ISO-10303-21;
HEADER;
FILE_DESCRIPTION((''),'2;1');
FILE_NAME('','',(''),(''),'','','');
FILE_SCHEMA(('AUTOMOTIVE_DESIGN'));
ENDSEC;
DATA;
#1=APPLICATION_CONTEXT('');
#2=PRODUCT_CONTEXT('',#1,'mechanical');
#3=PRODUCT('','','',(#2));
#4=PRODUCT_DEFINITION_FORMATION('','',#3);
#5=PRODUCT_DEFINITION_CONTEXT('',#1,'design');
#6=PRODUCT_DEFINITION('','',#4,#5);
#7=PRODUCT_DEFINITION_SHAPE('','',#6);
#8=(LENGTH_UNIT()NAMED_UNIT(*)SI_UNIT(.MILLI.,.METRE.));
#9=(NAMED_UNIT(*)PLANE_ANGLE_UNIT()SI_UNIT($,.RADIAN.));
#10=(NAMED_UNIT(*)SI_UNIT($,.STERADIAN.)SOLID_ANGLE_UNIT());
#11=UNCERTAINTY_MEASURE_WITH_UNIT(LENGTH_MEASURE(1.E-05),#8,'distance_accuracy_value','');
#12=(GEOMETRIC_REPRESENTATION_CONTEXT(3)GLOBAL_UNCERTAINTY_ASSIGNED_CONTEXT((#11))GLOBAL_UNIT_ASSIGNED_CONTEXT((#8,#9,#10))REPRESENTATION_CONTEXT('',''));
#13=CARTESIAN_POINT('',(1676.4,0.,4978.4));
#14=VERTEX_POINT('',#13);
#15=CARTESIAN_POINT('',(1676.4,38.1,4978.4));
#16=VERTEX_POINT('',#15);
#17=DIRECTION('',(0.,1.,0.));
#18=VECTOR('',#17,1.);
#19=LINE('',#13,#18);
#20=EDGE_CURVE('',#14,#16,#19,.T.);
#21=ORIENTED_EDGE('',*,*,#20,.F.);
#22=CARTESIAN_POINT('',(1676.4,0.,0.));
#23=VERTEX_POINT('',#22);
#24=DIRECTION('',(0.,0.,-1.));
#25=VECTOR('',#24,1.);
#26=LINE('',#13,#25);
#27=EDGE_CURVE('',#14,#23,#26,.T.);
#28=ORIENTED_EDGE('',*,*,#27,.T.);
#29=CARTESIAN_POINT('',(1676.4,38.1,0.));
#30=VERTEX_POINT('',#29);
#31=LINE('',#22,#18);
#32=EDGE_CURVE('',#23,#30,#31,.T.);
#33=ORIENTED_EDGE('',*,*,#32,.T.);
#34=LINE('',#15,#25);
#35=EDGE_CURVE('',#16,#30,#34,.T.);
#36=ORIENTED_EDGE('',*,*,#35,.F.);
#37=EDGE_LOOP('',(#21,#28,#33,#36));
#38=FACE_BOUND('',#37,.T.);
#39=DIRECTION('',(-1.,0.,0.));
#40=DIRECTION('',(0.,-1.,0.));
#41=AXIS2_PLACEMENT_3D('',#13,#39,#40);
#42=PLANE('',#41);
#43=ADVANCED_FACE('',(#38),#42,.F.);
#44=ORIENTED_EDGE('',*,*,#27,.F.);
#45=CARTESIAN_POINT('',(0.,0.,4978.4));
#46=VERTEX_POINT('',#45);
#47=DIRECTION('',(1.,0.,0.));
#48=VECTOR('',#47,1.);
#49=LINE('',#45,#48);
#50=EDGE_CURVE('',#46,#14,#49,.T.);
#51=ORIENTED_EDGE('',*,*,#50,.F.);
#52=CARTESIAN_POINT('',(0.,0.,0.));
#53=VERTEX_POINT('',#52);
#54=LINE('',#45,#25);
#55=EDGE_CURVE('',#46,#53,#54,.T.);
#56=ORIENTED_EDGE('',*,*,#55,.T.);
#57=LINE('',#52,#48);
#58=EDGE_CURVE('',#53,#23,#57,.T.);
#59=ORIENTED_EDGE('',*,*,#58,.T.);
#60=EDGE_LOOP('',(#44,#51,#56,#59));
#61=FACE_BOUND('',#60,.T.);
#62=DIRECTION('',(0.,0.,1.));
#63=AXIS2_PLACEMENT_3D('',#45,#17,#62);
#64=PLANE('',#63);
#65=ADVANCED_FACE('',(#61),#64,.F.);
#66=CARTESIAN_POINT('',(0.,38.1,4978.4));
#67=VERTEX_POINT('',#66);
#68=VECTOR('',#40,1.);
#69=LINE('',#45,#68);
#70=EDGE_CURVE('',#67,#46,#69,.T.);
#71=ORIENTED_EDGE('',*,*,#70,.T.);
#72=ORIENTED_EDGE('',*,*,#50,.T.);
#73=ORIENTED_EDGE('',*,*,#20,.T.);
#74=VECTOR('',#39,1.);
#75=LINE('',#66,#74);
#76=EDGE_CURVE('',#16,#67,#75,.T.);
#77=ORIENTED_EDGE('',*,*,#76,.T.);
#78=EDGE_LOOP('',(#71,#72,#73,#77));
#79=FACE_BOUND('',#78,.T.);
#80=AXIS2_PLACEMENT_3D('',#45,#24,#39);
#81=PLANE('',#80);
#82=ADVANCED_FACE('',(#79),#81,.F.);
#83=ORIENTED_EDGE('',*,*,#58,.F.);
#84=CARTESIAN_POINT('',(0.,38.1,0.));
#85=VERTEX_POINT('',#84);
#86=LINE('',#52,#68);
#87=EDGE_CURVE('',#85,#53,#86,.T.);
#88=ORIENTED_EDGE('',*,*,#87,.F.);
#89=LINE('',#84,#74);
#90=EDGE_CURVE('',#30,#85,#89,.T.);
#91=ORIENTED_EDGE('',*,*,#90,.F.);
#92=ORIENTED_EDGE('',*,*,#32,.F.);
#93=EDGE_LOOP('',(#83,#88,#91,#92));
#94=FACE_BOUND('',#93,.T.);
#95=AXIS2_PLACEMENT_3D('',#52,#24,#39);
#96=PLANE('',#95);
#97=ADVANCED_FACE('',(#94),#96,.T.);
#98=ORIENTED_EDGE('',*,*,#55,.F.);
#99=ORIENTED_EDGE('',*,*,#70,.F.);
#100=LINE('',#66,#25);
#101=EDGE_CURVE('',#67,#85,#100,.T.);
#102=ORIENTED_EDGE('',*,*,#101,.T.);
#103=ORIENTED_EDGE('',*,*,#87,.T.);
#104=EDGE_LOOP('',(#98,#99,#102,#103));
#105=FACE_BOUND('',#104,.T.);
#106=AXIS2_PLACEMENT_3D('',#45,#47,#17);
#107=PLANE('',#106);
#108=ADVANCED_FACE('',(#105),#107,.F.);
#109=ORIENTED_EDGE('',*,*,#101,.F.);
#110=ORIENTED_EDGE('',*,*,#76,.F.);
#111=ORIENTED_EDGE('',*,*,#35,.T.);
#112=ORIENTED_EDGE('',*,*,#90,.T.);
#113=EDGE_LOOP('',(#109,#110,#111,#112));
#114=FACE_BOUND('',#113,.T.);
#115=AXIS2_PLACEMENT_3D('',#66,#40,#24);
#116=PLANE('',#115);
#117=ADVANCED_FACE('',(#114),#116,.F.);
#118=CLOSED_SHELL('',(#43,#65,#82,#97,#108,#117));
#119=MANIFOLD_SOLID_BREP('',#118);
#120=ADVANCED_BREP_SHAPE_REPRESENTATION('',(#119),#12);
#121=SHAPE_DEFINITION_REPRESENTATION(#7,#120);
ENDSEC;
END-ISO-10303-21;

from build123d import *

# Parameters (mm, degrees)
SKETCH1_W           = 1676.4
SKETCH1_H           = 38.1
BOSS_EXTRUDE1_DEPTH = 4978.4


with BuildPart() as part:
    # Sketch1 → Boss-Extrude1 (new body)
    with BuildSketch(Plane.XY):
        with Locations((838.2, 19.05)):
            Rectangle(SKETCH1_W, SKETCH1_H)
    extrude(amount=BOSS_EXTRUDE1_DEPTH)


solid = part.part
